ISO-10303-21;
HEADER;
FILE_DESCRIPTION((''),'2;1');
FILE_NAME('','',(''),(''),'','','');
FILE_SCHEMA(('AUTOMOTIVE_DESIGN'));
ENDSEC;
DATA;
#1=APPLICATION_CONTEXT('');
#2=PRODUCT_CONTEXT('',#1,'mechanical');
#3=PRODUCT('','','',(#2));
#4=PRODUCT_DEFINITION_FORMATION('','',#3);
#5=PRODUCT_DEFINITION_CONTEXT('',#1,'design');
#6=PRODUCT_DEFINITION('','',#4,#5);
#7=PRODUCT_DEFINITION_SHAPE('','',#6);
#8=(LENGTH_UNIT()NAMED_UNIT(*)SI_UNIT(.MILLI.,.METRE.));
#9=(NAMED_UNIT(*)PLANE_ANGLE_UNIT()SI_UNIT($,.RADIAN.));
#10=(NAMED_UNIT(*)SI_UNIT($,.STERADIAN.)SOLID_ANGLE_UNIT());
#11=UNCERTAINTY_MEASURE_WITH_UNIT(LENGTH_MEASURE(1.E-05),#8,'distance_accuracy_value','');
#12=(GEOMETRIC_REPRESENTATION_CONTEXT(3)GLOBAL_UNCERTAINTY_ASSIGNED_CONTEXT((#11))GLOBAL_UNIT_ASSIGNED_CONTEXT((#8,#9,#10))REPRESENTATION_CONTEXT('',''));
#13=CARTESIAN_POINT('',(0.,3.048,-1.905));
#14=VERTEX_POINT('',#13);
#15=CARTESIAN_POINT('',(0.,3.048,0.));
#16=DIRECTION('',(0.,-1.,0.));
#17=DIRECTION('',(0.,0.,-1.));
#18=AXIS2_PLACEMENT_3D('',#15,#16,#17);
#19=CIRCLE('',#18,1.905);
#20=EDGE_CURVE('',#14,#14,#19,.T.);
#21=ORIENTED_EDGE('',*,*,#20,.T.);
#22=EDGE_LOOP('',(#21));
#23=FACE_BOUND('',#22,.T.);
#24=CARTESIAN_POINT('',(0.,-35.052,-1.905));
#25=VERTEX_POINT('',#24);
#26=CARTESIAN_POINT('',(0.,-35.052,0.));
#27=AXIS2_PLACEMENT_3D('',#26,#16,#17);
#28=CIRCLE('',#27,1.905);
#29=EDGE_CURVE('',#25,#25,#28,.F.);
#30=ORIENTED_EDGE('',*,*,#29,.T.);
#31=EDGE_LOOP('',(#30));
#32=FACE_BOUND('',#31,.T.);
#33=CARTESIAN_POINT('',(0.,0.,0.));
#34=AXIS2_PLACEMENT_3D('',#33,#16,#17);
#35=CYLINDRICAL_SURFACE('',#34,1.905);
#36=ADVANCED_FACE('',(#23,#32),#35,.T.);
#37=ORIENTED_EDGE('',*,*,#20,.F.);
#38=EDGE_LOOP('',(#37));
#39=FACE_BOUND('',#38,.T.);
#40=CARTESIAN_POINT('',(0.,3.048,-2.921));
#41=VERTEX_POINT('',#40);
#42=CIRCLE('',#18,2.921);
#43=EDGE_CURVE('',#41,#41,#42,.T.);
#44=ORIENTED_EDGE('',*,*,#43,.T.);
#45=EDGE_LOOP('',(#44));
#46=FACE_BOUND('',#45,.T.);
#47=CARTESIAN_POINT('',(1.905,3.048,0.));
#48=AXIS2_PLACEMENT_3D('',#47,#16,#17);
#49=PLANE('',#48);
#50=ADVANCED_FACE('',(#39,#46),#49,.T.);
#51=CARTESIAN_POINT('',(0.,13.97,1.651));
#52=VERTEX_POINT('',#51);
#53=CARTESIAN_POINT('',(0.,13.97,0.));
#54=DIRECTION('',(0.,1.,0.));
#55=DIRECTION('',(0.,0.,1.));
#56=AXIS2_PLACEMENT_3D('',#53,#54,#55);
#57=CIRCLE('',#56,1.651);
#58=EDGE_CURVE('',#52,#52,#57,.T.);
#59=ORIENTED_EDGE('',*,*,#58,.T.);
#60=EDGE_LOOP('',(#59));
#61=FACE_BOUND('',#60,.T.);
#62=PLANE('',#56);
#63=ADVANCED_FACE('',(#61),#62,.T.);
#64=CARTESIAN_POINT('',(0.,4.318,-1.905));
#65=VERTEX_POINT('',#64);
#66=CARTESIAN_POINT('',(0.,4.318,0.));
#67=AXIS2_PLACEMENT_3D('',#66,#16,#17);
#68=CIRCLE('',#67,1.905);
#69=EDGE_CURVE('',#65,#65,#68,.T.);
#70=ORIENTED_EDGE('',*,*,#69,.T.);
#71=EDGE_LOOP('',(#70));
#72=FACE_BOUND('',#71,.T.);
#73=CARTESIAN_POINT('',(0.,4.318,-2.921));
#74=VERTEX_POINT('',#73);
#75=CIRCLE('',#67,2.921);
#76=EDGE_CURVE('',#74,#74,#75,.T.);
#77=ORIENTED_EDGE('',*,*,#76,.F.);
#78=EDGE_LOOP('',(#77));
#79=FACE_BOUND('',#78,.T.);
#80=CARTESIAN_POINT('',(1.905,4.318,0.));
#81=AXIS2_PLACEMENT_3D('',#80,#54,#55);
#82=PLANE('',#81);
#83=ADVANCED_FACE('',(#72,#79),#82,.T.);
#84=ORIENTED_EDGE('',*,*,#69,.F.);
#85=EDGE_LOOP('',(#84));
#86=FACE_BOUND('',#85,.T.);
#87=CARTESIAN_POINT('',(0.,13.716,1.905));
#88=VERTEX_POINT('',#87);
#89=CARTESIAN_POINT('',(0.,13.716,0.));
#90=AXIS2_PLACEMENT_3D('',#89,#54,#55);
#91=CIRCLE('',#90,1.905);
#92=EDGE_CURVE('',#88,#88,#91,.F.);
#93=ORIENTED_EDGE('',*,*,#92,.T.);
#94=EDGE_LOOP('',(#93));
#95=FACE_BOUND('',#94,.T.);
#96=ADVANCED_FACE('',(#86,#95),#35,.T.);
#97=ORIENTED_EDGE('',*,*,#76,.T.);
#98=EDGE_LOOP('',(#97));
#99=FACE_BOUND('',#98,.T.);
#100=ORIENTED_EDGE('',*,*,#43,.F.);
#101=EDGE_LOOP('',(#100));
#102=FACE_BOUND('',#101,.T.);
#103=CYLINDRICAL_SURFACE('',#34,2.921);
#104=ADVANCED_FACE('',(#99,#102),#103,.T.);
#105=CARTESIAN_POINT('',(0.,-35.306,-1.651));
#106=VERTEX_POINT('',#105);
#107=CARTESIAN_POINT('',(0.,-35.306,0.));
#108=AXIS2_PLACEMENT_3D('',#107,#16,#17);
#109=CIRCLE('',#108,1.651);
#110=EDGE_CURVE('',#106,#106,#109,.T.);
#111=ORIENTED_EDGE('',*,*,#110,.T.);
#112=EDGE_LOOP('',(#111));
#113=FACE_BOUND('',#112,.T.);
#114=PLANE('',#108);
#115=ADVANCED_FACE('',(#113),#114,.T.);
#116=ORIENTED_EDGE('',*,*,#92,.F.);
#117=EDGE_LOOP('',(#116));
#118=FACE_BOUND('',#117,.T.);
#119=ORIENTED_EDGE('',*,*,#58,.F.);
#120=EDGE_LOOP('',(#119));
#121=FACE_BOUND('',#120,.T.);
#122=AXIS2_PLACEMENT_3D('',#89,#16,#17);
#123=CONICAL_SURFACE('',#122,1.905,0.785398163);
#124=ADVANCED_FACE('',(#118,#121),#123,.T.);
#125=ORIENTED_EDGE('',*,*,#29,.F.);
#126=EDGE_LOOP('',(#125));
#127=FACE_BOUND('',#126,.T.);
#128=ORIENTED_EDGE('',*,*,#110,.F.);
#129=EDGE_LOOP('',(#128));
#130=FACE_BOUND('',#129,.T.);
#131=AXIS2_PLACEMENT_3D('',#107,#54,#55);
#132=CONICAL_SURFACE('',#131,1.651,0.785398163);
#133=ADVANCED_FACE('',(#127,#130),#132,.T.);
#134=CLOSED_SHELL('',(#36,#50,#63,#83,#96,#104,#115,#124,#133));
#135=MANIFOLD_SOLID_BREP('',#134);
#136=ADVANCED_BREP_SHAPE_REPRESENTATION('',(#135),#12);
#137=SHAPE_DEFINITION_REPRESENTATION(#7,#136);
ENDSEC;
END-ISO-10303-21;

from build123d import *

# Parameters (mm, degrees)
CHAMFER1_SIZE = 0.254


with BuildPart() as part:
    # Sketch1 → Revolve1 (revolve)
    with BuildSketch(Plane.XY):
        Polygon((1.905, 3.048), (1.905, -35.306), (0, -35.306), (0, 13.97), (1.905, 13.97), (1.905, 4.318), (2.921, 4.318), (2.921, 3.048), align=None)
    revolve(axis=Axis((0, 0, 0), (0, 1, 0)))

    # Chamfer1
    chamfer1_edges = [part.edges().sort_by_distance(p)[0] for p in [
        (-1.905, 13.97, 0),
        (-1.905, -35.306, 0),
    ]]
    chamfer(chamfer1_edges, length=CHAMFER1_SIZE)


solid = part.part
